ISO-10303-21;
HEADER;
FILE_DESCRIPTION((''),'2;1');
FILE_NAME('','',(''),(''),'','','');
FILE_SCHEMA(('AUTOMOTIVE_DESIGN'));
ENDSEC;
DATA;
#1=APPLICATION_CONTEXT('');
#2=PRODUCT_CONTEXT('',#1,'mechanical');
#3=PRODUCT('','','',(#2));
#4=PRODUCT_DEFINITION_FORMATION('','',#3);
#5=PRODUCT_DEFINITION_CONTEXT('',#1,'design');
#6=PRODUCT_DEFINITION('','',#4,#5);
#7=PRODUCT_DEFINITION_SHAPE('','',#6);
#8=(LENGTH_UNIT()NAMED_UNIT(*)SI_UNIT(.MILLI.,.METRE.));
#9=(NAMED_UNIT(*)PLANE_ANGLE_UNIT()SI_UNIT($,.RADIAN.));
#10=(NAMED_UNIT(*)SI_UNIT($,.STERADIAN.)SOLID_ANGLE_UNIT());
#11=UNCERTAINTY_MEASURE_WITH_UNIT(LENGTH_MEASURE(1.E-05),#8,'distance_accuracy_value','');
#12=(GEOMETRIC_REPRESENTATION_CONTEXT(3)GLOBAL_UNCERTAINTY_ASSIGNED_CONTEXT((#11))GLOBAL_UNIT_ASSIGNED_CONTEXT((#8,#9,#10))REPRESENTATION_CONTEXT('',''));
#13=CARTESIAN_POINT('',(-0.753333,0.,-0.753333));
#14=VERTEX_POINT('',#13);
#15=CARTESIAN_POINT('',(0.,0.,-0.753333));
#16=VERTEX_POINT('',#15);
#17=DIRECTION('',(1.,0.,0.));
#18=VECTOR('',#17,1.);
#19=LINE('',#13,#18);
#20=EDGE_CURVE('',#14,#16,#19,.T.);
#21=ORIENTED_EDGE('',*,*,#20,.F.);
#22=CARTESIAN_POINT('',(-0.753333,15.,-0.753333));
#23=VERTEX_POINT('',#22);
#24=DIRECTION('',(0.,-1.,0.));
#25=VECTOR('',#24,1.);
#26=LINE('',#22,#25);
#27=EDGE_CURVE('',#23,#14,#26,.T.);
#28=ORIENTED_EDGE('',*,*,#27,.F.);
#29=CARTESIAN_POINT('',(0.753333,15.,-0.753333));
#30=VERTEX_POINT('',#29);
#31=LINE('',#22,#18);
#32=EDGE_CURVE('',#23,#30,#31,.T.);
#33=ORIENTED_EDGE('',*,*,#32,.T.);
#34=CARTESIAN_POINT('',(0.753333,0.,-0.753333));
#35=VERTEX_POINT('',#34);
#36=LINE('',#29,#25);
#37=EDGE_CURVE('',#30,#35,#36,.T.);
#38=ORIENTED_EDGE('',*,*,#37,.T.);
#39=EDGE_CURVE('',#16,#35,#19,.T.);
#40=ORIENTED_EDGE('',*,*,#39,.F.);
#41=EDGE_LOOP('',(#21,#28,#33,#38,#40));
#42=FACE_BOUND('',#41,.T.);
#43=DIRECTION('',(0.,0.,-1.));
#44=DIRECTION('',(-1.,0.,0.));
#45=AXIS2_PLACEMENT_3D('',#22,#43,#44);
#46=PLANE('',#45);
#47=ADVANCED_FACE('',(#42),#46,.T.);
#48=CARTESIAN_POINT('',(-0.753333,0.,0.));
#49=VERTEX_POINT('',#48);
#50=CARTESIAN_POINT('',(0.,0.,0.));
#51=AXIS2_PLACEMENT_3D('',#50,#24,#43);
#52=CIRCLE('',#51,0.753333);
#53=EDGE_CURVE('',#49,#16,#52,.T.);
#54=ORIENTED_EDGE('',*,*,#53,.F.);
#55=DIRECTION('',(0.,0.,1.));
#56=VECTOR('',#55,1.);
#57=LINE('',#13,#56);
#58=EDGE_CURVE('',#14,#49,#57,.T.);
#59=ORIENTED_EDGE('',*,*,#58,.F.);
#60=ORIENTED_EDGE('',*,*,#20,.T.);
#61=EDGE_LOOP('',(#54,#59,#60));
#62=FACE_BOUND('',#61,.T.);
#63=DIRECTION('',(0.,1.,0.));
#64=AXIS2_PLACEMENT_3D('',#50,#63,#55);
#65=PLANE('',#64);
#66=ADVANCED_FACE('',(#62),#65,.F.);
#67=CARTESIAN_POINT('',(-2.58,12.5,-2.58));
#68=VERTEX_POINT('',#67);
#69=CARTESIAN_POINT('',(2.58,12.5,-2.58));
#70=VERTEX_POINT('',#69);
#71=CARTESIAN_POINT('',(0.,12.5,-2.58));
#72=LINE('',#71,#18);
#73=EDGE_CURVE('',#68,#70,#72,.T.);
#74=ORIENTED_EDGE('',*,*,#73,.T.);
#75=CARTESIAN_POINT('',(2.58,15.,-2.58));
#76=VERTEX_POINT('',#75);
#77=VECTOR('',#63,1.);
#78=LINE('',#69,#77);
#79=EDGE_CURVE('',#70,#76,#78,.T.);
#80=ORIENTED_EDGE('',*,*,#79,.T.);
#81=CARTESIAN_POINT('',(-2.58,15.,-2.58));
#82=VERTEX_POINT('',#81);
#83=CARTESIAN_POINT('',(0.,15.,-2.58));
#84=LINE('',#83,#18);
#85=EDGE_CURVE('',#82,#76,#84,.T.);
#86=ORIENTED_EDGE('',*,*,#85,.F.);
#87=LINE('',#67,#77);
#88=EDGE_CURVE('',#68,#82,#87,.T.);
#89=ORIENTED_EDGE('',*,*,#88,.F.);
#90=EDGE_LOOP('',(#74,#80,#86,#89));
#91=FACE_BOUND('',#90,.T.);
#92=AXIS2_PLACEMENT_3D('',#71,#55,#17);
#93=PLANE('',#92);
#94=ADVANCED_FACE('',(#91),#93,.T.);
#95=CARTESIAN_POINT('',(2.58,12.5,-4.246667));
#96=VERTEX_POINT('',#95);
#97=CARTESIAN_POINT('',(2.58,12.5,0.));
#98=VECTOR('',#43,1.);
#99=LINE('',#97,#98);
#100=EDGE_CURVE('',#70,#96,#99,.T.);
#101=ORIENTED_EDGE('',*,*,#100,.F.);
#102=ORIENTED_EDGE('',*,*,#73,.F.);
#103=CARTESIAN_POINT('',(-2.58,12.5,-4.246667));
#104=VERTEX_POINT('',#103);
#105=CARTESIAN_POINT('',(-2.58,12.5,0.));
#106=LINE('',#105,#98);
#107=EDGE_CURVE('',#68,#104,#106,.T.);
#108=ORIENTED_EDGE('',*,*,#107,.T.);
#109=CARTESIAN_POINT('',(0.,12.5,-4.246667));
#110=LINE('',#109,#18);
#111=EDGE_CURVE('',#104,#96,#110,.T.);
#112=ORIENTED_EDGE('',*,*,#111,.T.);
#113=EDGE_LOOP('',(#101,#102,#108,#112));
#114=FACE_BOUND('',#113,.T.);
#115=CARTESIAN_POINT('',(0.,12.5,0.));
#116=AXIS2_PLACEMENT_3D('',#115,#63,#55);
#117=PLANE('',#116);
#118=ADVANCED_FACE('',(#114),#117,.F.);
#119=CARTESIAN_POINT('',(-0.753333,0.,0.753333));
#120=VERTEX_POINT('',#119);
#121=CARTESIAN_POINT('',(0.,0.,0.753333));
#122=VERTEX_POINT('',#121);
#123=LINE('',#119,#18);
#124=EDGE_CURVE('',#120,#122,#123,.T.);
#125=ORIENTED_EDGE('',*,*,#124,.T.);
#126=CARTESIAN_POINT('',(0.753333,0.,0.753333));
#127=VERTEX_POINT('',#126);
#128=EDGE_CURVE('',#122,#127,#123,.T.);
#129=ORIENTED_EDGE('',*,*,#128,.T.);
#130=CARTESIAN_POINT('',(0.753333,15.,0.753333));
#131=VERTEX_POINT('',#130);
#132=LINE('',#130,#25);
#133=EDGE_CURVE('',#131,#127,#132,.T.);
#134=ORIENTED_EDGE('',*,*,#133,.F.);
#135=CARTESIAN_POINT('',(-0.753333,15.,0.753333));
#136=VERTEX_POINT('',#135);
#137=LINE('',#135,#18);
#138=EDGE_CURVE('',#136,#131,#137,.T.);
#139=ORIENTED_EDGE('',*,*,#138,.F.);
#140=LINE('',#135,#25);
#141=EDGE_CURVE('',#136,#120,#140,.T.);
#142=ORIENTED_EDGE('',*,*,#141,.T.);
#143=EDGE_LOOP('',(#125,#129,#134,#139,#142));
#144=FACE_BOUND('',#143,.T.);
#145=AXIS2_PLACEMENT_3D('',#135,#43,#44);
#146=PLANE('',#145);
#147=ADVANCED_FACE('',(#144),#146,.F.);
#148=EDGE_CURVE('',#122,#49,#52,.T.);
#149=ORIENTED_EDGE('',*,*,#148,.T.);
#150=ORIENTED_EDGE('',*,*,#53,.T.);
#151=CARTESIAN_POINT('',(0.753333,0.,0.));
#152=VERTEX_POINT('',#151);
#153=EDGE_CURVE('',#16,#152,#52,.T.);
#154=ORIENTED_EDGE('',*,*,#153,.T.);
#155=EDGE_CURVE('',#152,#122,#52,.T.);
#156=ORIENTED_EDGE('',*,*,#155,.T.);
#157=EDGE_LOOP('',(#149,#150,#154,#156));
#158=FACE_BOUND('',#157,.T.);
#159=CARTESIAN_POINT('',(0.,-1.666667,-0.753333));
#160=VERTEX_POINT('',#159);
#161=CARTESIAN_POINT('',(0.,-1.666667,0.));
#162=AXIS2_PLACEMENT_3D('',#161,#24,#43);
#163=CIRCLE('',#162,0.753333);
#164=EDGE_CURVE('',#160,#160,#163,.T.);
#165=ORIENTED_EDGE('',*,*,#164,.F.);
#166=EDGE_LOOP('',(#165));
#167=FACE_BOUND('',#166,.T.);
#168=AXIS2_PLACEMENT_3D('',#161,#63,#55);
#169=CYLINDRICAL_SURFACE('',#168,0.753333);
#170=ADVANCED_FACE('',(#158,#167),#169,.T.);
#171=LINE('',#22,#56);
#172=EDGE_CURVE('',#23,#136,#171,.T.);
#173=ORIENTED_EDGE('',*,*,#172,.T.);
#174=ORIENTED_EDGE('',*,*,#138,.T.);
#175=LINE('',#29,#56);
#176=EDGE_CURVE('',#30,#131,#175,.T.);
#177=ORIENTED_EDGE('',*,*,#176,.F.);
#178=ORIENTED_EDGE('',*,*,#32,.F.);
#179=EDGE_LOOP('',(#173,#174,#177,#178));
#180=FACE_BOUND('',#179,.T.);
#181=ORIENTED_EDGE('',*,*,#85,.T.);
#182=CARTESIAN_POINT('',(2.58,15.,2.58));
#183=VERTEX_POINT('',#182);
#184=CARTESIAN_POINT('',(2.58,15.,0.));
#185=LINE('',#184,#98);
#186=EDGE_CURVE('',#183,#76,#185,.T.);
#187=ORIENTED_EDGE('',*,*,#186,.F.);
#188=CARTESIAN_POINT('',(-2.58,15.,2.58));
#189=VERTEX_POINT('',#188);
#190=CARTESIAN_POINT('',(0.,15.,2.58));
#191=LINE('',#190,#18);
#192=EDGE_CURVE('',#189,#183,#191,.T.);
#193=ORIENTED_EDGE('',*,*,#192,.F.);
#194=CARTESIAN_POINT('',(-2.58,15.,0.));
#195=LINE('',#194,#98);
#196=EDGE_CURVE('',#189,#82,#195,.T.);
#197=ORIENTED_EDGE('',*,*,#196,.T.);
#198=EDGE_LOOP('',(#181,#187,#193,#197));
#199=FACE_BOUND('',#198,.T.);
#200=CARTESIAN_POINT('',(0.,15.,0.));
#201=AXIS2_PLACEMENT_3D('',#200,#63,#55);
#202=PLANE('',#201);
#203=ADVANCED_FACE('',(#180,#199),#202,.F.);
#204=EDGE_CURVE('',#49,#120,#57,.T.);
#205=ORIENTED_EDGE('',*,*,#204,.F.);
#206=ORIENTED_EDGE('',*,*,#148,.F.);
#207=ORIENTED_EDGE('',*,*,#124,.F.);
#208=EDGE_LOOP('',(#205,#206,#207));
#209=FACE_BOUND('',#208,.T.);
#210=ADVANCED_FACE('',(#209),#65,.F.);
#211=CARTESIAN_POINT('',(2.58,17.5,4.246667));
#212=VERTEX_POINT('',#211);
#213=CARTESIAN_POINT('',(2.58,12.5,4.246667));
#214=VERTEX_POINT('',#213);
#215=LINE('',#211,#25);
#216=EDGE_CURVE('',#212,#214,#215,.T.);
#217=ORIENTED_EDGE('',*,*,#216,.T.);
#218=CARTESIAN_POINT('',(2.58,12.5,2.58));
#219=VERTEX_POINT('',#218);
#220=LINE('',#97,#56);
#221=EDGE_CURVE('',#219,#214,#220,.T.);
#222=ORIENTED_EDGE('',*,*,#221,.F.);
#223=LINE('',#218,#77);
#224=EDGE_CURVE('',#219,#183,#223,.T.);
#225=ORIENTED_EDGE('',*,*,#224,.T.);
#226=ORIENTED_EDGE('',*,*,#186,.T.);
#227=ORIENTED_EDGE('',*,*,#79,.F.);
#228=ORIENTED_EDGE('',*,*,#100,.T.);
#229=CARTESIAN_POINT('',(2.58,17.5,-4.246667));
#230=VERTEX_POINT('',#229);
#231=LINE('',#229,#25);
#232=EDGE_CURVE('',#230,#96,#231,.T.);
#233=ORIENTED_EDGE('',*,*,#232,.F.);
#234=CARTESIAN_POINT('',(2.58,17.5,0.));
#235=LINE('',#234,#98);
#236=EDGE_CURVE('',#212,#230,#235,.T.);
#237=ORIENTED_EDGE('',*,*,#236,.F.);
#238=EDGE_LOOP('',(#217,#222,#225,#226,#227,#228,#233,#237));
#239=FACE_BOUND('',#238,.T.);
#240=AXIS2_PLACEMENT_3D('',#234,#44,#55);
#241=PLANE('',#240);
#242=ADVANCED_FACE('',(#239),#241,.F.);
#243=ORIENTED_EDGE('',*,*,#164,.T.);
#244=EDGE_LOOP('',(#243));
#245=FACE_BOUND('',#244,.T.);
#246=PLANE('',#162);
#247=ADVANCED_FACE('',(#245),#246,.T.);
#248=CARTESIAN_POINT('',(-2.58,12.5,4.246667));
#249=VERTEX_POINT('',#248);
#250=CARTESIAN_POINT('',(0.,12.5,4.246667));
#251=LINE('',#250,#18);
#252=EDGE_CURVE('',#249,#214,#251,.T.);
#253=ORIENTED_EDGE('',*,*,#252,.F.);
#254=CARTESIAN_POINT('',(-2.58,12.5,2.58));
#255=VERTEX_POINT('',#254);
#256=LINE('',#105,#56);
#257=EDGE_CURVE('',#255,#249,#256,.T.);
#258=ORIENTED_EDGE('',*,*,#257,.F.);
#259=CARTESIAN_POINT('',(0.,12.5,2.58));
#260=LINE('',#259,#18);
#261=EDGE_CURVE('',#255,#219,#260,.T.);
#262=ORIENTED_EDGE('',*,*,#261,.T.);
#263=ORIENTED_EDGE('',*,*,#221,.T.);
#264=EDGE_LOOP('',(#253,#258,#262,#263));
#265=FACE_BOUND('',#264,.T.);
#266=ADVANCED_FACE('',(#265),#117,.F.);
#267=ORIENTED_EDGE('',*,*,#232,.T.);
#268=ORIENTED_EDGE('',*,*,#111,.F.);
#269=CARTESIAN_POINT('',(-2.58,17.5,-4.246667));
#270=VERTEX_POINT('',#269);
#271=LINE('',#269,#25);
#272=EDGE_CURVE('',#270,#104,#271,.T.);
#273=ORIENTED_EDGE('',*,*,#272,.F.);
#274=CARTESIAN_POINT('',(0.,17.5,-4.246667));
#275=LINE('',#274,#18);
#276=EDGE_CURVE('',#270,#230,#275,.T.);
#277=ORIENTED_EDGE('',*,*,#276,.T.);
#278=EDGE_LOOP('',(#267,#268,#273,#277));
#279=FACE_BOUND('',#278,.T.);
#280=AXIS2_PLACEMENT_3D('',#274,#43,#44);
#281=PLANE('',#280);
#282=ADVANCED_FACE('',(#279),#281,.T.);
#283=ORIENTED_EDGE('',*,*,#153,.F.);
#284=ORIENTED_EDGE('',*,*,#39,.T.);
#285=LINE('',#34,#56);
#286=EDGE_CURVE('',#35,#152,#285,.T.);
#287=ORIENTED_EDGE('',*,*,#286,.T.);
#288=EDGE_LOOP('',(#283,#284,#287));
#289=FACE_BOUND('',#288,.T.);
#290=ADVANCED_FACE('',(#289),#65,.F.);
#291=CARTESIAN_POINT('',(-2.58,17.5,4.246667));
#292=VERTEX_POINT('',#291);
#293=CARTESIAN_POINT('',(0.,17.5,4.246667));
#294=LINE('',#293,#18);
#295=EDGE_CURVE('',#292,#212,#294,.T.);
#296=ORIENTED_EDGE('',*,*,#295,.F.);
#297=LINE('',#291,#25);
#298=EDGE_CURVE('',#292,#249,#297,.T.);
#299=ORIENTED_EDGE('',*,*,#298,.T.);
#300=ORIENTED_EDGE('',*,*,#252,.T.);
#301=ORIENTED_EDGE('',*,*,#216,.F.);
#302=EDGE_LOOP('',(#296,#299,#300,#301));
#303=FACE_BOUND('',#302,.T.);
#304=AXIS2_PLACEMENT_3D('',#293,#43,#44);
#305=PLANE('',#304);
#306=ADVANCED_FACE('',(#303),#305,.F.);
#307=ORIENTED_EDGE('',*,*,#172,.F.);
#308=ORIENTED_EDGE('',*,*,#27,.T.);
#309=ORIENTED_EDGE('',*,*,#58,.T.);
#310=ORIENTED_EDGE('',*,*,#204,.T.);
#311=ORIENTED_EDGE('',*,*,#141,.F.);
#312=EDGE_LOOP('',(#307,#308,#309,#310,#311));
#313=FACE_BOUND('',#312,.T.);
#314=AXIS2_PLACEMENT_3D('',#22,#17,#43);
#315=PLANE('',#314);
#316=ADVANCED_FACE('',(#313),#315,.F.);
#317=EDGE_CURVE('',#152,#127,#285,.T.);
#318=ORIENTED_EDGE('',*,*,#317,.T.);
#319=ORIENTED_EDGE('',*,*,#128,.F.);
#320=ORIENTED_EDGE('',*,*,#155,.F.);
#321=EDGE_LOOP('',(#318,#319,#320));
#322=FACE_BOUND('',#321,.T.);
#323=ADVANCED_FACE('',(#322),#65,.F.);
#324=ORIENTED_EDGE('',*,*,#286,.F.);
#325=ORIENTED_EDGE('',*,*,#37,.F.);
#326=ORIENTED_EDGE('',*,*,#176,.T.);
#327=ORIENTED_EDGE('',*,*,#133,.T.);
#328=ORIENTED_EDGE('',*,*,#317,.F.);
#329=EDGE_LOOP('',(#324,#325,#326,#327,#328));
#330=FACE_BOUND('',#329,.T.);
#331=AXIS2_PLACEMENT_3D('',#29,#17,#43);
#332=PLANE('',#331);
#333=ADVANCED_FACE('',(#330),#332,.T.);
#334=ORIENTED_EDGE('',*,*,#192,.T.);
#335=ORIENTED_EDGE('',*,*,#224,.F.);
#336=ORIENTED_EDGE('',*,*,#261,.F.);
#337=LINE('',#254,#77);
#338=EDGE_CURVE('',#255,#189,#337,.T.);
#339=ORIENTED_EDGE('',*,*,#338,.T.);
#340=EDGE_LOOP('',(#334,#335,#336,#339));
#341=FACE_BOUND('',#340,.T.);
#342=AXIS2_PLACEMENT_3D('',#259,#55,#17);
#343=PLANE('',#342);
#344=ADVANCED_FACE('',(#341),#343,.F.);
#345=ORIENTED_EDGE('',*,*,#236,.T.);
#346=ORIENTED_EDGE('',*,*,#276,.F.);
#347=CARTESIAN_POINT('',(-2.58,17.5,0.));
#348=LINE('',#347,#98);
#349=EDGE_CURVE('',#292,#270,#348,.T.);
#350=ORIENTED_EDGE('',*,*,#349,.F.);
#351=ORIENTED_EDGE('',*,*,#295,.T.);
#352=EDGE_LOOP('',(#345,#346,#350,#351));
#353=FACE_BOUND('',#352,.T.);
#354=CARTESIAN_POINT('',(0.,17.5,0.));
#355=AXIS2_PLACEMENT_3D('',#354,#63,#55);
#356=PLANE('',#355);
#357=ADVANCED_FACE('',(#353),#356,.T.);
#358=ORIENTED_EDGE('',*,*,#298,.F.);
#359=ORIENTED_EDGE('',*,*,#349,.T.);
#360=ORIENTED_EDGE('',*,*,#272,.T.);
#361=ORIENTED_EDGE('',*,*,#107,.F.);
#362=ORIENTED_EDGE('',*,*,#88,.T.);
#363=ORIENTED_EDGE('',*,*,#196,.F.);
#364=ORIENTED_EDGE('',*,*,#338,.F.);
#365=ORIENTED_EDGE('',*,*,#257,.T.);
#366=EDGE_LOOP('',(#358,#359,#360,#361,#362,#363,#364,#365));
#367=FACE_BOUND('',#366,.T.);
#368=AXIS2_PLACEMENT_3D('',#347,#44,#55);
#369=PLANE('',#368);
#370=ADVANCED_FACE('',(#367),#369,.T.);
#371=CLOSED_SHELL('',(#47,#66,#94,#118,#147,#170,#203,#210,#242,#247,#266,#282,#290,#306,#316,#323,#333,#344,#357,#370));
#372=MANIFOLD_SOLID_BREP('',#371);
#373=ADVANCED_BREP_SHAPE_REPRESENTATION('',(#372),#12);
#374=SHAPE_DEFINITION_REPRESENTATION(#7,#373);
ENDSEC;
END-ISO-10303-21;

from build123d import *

# Parameters (mm, degrees)
SKETCH1_W           = 1.506666666
SKETCH1_H           = 1.506666666
BOSS_EXTRUDE1_DEPTH = 15
SKETCH2_R           = 0.753333333
BOSS_EXTRUDE2_DEPTH = 1.666666667
SKETCH3_W           = 5.16
SKETCH3_H           = 8.493333334
BOSS_EXTRUDE3_DEPTH = 2.5
SKETCH3_3_W         = 5.16
SKETCH3_3_H         = 1.666666667
BOSS_EXTRUDE4_DEPTH = 2.5


with BuildPart() as part:
    # Sketch1 → Boss-Extrude1 (new body)
    with BuildSketch(Plane(origin=(0, 0, 0), x_dir=(1, 0, 0), z_dir=(0, 1, 0))):
        Rectangle(SKETCH1_W, SKETCH1_H)
    extrude(amount=BOSS_EXTRUDE1_DEPTH)

    # Sketch2 → Boss-Extrude2 (add)
    with BuildSketch(Plane.XZ):
        Circle(SKETCH2_R)
    extrude(amount=BOSS_EXTRUDE2_DEPTH)

    # Sketch3 → Boss-Extrude3 (add)
    with BuildSketch(Plane(origin=(0, 15, 0), x_dir=(1, 0, 0), z_dir=(0, 1, 0))):
        Rectangle(SKETCH3_W, SKETCH3_H)
    extrude(amount=BOSS_EXTRUDE3_DEPTH)

    # Sketch3<3> → Boss-Extrude4 (add)
    with BuildSketch(Plane(origin=(0, 15, 0), x_dir=(1, 0, 0), z_dir=(0, 1, 0))):
        with Locations((0, 3.413333334)):
            Rectangle(SKETCH3_3_W, SKETCH3_3_H)
        with Locations((0, -3.413333334)):
            Rectangle(SKETCH3_3_W, SKETCH3_3_H)
    extrude(amount=-BOSS_EXTRUDE4_DEPTH)


solid = part.part
